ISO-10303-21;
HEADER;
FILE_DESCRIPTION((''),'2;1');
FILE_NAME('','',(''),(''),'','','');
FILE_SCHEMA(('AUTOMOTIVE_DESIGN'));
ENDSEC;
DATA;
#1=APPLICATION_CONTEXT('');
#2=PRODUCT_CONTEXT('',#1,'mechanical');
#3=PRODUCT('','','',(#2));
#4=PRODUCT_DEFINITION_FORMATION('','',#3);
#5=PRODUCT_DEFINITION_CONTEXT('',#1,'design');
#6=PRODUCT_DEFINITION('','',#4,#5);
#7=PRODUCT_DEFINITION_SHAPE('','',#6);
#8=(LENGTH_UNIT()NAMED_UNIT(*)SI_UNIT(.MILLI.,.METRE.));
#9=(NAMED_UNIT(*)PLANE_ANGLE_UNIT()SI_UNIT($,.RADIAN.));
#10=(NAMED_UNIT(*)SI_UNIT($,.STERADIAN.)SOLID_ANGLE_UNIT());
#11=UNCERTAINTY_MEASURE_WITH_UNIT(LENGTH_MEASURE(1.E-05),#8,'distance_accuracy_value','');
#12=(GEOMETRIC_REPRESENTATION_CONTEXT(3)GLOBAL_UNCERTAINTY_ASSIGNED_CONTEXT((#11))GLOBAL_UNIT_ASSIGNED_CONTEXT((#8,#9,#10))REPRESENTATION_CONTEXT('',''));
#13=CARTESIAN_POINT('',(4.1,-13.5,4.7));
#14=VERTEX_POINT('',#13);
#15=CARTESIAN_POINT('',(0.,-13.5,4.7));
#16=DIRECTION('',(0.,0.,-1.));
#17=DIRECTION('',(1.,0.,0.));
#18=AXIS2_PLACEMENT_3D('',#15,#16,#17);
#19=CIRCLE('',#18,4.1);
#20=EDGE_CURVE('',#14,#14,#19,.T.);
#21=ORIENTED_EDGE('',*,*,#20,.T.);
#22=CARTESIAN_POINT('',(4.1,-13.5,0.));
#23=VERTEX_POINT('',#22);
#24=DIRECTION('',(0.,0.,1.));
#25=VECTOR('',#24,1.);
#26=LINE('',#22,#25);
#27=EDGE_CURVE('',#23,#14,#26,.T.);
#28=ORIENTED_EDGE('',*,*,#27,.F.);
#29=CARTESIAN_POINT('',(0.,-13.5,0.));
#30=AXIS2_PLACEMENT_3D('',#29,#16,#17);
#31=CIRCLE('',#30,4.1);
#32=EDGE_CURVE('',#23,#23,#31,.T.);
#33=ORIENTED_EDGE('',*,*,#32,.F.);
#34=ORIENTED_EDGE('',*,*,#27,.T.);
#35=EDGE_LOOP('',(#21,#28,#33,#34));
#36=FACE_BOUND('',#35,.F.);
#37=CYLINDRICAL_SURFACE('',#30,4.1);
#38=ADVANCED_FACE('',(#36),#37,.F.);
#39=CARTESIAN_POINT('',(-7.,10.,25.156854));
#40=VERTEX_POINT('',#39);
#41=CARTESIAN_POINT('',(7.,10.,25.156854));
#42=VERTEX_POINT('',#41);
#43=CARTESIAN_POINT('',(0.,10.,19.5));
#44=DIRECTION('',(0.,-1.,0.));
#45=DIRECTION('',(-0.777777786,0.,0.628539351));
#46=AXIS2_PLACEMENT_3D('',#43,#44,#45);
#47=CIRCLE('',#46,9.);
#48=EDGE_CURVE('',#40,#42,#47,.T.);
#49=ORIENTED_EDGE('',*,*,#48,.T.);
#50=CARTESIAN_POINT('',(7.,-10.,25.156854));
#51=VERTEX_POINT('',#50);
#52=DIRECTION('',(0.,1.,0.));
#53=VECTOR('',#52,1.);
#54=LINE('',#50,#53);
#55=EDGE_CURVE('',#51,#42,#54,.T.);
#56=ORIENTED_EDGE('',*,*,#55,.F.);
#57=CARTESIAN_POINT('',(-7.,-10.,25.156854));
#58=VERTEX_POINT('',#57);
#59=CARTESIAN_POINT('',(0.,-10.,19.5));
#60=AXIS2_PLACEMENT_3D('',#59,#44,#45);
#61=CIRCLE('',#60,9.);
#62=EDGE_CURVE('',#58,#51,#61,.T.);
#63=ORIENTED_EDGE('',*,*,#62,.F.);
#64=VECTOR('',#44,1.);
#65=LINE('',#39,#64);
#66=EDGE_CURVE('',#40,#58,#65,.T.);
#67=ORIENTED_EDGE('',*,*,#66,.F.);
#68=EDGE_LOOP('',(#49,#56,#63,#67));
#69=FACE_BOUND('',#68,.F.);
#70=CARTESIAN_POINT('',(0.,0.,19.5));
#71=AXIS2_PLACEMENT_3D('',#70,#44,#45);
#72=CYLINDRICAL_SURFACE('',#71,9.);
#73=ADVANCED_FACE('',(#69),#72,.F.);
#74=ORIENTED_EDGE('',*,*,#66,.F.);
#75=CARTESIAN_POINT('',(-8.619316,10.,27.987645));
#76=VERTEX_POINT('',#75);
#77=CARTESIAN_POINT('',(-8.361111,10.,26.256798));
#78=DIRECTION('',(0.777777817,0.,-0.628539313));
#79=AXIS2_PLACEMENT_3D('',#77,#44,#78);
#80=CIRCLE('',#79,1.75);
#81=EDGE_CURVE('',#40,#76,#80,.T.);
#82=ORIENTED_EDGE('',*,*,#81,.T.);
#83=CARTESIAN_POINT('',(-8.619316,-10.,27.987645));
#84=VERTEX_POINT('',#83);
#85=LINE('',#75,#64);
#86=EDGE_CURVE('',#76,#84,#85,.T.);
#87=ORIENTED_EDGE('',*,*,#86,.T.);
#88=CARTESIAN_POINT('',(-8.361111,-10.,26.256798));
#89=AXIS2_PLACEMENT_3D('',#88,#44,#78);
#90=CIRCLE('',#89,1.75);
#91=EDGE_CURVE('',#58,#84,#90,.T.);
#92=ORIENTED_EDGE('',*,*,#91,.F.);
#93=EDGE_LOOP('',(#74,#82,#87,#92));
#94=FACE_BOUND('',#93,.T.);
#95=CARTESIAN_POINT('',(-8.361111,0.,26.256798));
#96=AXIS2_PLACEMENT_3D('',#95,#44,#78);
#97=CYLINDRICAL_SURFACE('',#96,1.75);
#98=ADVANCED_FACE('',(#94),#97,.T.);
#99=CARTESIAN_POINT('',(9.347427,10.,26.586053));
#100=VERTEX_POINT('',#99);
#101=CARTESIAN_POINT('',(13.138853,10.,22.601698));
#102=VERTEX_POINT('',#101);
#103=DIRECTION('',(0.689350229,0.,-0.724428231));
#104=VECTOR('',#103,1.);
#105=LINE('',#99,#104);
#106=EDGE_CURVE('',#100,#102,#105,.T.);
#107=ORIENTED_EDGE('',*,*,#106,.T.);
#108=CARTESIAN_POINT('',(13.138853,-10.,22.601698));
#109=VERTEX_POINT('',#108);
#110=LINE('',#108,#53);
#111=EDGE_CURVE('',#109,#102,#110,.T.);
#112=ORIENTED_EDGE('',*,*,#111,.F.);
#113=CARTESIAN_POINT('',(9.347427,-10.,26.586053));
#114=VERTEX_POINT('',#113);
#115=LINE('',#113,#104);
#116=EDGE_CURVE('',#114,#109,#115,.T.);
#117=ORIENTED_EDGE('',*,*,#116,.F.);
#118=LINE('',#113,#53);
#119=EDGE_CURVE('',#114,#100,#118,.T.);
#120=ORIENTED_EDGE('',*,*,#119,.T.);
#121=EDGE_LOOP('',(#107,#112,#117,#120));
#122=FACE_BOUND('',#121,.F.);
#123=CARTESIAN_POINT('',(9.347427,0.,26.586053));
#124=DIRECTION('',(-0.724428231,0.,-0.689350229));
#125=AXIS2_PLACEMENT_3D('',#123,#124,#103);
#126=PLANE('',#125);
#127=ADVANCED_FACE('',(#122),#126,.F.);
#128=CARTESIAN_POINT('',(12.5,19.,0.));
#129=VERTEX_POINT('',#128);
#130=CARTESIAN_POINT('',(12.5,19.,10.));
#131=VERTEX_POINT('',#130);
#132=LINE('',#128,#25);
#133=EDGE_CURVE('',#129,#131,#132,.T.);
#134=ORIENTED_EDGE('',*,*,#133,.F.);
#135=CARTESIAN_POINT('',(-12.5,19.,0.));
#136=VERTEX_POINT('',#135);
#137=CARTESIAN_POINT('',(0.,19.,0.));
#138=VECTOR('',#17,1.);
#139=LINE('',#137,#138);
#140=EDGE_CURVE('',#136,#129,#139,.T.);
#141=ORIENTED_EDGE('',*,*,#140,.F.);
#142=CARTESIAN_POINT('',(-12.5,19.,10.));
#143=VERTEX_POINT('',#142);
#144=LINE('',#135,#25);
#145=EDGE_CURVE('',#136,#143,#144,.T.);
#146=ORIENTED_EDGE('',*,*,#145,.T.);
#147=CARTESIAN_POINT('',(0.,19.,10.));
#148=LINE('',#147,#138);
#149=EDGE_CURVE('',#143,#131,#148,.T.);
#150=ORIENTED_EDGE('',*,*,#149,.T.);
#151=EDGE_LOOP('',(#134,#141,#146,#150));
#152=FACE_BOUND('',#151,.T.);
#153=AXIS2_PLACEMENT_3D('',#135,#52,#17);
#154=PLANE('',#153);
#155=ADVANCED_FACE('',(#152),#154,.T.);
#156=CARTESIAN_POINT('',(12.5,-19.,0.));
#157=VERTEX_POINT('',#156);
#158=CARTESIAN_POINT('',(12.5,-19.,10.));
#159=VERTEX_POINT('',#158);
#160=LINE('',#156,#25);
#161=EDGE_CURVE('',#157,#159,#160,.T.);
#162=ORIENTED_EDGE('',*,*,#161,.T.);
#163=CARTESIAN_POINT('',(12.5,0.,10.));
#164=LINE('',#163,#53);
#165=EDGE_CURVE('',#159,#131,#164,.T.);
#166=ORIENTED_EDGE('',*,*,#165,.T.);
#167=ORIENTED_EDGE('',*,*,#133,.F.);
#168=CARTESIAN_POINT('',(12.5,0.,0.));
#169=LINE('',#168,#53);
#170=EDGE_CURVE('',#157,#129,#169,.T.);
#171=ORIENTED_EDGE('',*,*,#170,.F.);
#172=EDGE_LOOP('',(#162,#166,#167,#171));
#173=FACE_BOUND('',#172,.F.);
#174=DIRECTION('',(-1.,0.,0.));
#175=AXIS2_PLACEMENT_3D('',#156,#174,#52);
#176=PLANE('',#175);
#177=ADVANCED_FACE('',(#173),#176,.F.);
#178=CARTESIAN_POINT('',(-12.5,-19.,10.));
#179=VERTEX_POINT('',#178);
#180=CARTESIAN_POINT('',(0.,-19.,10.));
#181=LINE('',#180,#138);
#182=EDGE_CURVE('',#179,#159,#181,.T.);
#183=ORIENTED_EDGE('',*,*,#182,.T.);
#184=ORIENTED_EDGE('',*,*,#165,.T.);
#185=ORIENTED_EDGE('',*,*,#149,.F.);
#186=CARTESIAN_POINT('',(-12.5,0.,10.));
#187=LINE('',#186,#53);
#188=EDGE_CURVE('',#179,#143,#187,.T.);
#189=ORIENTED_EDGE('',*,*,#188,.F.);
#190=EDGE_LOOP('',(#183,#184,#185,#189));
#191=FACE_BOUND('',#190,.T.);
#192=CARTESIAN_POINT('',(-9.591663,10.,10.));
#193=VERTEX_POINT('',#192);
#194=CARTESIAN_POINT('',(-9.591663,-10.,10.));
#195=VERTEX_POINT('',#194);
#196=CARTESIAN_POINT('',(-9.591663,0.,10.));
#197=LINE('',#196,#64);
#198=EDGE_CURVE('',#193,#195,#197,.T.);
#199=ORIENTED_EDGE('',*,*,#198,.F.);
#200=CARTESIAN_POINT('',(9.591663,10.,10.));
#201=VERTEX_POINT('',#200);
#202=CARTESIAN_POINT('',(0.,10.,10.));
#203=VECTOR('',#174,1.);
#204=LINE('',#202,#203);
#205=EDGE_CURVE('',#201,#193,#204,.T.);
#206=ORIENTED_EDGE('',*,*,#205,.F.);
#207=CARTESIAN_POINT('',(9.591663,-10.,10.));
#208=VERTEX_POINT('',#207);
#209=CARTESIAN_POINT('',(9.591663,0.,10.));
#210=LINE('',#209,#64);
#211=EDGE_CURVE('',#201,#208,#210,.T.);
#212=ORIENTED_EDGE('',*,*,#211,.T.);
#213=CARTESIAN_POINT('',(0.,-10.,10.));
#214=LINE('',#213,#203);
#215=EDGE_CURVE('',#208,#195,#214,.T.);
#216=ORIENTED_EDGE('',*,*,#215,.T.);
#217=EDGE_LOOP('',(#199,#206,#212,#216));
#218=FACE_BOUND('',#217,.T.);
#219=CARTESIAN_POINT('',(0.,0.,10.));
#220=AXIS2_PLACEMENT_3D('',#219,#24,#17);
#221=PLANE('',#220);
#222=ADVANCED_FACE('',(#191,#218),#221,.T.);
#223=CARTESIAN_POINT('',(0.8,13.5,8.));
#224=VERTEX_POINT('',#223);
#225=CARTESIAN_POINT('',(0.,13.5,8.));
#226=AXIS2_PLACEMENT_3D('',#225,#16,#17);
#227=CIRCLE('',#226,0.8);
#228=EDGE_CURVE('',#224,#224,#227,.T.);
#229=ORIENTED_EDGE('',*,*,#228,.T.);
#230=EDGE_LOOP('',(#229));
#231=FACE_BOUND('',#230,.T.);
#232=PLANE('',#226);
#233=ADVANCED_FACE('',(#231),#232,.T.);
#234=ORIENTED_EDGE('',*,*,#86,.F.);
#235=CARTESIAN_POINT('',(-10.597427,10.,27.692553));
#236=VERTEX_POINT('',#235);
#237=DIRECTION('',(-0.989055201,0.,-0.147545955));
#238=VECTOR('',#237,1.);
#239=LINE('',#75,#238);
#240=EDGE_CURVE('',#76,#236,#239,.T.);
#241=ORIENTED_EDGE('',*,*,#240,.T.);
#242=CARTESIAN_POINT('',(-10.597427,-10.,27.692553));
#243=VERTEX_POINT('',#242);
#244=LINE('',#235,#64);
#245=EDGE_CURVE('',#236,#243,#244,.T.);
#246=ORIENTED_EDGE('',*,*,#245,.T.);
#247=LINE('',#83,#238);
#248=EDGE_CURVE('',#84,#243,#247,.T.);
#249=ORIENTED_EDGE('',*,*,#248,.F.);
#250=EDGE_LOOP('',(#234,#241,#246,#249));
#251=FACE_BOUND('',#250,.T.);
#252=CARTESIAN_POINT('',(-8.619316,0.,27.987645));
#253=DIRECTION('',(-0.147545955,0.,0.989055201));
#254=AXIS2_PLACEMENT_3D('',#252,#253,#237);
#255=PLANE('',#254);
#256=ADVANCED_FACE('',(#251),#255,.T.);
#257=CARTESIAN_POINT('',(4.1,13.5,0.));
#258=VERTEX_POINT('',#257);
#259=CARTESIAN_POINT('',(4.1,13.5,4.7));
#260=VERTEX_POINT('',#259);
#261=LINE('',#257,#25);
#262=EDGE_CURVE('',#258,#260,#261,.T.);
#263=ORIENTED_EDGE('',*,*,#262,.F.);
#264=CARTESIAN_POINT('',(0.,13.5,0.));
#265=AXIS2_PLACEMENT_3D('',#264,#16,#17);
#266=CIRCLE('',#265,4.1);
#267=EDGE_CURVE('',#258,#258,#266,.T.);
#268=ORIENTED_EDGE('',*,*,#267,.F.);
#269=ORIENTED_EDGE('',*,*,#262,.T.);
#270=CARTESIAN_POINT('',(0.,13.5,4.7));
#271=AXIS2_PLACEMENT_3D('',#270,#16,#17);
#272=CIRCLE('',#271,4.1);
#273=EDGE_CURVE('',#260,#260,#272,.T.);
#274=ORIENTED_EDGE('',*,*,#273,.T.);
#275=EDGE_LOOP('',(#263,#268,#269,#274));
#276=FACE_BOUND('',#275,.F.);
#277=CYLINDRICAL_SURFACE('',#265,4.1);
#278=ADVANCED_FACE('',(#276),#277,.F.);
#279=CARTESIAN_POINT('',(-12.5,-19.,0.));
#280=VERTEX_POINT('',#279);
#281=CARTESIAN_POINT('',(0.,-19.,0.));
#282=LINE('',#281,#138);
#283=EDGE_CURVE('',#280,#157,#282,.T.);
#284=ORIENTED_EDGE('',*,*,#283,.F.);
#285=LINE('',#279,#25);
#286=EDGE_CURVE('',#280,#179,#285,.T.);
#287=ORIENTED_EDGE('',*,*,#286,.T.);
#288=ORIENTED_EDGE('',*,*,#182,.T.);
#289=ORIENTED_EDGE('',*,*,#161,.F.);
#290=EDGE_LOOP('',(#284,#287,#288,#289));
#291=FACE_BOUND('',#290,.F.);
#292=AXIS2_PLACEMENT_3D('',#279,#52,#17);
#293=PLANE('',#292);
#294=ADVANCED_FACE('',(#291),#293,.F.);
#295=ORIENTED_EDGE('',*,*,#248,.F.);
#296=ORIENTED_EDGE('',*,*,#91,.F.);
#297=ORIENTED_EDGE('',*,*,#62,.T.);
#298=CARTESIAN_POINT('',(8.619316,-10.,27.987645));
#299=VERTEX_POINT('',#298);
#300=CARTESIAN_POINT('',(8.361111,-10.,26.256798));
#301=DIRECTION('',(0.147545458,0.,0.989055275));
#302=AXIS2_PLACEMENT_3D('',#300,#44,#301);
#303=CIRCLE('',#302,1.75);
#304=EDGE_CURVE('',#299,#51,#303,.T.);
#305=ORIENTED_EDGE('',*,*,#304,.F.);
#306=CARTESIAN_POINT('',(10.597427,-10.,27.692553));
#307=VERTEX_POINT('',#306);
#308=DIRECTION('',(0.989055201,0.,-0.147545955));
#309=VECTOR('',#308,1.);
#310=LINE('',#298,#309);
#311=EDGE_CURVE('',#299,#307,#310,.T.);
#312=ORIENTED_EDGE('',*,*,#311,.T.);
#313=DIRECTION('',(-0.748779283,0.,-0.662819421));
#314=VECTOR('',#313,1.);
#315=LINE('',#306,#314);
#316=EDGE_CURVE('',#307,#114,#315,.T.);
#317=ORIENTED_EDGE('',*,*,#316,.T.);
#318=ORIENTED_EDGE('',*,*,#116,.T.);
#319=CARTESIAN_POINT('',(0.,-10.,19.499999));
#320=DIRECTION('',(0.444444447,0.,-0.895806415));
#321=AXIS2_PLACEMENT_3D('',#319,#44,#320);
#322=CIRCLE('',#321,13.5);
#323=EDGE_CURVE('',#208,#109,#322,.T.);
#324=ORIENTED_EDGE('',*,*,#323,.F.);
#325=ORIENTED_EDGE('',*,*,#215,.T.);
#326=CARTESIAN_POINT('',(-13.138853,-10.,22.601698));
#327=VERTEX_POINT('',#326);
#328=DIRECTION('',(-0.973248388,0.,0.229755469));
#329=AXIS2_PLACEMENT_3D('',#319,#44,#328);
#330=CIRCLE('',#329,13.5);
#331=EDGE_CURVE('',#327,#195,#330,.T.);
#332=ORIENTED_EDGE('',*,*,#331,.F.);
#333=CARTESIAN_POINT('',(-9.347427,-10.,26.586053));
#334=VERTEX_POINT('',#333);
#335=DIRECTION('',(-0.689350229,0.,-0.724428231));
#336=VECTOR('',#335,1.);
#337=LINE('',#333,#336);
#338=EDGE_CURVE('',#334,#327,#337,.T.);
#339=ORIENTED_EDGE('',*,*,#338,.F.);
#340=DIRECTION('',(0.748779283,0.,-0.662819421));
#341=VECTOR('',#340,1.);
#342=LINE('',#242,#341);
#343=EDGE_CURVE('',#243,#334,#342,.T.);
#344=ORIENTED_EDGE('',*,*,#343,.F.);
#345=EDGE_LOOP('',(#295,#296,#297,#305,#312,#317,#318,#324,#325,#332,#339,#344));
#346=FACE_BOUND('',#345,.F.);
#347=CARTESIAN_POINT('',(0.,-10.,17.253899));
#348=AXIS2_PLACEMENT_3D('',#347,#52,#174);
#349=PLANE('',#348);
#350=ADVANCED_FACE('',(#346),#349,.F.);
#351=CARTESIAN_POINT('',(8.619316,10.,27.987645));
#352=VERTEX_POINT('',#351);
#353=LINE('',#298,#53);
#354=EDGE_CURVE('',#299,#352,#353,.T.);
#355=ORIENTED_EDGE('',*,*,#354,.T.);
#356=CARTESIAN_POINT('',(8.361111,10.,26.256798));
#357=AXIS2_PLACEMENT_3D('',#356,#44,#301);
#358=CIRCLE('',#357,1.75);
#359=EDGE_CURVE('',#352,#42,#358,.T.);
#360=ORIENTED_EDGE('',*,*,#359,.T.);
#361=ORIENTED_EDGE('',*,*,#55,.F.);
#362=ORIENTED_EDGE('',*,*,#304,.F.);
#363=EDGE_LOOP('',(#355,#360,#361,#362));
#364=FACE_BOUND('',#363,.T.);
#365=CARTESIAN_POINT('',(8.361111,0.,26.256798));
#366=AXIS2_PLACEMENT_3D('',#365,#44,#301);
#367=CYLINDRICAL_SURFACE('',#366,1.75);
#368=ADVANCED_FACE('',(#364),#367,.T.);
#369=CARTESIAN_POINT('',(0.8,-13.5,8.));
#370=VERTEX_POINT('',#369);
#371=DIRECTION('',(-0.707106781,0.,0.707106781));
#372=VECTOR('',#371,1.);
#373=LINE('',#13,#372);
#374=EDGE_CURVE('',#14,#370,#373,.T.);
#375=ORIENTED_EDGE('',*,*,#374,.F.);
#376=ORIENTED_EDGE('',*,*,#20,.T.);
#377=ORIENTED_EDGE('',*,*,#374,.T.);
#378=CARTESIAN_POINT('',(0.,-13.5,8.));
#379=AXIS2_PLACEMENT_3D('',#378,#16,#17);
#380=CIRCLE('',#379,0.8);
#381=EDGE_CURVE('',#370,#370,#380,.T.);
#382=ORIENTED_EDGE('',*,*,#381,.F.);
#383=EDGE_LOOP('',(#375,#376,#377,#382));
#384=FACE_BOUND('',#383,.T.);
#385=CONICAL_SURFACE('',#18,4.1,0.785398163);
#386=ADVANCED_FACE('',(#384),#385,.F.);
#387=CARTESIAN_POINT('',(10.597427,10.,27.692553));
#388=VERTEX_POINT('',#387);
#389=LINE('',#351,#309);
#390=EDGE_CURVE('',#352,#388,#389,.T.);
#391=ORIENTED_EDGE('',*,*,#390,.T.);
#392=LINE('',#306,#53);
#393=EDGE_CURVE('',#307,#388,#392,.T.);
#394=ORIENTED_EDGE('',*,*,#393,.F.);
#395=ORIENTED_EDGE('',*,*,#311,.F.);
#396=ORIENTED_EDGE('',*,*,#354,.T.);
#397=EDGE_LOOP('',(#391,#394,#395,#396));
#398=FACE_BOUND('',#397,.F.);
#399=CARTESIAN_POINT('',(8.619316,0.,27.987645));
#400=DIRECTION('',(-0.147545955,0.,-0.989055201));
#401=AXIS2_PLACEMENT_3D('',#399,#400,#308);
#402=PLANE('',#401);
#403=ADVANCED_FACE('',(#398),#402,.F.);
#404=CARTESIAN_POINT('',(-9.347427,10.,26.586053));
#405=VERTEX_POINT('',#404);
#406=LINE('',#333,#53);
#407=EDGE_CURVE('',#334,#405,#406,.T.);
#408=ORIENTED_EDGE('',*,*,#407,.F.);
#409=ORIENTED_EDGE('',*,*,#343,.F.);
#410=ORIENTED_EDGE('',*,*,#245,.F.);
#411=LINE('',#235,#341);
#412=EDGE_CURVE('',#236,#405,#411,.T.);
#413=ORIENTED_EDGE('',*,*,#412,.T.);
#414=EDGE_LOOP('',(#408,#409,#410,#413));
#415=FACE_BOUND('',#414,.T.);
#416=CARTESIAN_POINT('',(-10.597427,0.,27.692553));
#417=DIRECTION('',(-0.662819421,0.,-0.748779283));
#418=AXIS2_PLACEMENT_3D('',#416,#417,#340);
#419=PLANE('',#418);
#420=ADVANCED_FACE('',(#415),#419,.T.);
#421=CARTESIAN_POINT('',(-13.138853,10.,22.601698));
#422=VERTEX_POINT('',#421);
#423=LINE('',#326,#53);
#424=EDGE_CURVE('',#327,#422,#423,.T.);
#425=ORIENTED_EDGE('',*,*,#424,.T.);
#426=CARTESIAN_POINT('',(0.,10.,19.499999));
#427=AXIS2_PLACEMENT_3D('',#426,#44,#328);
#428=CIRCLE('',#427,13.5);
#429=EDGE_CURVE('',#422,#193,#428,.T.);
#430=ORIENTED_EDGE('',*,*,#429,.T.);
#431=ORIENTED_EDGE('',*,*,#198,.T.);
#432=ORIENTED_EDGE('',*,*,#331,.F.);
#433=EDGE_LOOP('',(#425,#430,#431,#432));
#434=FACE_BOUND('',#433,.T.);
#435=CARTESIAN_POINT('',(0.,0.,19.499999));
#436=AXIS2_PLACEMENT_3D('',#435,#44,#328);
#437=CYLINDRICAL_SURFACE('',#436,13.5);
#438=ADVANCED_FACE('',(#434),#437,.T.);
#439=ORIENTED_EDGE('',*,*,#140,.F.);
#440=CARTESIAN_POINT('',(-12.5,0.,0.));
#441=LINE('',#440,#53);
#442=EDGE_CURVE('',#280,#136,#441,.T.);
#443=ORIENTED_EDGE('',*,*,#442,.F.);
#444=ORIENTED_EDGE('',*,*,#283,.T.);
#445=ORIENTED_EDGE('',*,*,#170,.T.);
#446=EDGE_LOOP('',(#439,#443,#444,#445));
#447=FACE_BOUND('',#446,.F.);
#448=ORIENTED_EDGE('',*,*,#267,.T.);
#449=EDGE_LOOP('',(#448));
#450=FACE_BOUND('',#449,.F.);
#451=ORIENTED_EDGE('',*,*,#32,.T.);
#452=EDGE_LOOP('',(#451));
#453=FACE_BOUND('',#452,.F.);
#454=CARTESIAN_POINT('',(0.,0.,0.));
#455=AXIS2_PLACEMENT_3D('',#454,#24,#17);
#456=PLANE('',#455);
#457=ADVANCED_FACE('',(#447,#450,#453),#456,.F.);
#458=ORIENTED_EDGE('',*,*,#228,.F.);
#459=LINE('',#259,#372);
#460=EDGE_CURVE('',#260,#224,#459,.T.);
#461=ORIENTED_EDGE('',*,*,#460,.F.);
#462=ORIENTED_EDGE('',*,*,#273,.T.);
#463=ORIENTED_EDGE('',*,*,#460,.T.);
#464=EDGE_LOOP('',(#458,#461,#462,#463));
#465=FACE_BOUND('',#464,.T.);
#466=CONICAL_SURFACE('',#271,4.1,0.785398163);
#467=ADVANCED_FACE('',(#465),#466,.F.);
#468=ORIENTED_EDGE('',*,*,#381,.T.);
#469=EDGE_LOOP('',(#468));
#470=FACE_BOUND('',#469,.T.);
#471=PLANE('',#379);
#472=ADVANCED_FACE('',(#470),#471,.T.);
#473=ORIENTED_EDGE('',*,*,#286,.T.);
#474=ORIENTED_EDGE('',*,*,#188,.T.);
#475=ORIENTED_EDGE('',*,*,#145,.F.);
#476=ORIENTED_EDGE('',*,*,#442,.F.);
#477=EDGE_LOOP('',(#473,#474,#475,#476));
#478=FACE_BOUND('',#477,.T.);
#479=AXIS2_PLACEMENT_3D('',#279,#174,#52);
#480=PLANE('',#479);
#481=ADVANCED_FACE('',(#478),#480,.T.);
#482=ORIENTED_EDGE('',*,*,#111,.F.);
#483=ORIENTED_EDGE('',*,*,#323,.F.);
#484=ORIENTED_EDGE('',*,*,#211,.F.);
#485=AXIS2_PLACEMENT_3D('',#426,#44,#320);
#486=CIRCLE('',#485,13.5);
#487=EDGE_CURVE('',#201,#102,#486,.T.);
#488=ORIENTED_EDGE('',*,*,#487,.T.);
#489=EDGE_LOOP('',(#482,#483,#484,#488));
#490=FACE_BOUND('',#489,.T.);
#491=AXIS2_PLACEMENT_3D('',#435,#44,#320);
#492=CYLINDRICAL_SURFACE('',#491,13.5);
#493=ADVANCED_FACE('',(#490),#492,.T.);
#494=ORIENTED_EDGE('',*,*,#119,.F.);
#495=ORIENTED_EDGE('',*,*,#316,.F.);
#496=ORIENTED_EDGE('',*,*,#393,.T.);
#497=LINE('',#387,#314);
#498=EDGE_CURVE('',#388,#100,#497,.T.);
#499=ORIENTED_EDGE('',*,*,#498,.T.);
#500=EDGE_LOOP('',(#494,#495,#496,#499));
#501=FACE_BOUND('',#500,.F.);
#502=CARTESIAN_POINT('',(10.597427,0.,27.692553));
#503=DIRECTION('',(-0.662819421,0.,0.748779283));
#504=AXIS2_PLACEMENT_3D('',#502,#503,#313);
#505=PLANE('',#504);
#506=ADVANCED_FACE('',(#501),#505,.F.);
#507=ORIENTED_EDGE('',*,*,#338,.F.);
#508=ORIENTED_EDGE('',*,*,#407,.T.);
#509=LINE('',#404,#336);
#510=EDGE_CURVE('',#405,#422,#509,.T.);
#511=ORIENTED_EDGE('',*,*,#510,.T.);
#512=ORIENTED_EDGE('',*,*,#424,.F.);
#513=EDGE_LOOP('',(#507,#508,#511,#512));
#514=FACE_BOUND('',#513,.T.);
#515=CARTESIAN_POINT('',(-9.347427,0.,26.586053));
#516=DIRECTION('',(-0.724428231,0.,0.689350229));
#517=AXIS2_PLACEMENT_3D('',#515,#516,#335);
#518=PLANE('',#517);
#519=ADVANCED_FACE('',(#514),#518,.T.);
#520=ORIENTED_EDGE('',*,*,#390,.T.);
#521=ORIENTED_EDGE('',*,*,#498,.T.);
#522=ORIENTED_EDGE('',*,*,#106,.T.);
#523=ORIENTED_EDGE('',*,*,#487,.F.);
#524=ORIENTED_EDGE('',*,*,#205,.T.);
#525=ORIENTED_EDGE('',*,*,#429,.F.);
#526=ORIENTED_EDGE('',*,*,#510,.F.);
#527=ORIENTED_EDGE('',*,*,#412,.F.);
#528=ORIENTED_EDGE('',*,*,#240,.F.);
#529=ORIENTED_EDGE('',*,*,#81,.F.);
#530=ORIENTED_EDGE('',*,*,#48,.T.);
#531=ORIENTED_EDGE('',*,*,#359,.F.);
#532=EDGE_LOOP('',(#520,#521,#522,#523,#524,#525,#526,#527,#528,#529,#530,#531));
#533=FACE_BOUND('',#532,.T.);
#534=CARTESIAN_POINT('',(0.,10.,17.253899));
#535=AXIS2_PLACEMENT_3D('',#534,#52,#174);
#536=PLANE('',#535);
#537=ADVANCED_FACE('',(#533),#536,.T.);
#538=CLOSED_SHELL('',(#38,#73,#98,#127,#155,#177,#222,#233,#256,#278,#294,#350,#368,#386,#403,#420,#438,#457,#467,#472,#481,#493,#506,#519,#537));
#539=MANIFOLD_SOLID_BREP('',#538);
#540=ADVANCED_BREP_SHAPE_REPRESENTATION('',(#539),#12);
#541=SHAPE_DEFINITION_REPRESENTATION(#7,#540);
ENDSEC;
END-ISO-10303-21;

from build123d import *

# Parameters (mm, degrees)
SKETCH_W     = 25
SKETCH_H     = 38
PAD_DEPTH    = 10
SKETCH001_R  = 4.1
POCKET_DEPTH = 8
CHAMFER_SIZE = 3.3
PAD001_DEPTH = 10


with BuildPart() as part:
    # Sketch → Pad (new body)
    with BuildSketch(Plane.XY):
        Rectangle(SKETCH_W, SKETCH_H)
    extrude(amount=PAD_DEPTH)

    # Sketch001 (on Face5 of Pad) → Pocket (cut)
    with BuildSketch(Plane(origin=(0, 0, 0), x_dir=(1, 0, 0), z_dir=(0, 0, -1))):
        with Locations((0, 13.5)):
            Circle(SKETCH001_R)
        with Locations((0, -13.5)):
            Circle(SKETCH001_R)
    extrude(amount=-POCKET_DEPTH, mode=Mode.SUBTRACT)

    # Chamfer
    chamfer_edges = [part.edges().sort_by_distance(p)[0] for p in [
        (-4.1, 13.5, 8),
        (-4.1, -13.5, 8),
    ]]
    chamfer(chamfer_edges, length=CHAMFER_SIZE)

    # Sketch003 → Pad001 (join, symmetric)
    with BuildSketch(Plane.XZ):
        with BuildLine():
            ThreePointArc((-7, 25.156854), (0, 10.5), (7, 25.156854))
            ThreePointArc((8.619316, 27.987645), (6.842084, 27.125738), (7, 25.156854))
            Line((8.619316, 27.987645), (10.597427, 27.692553))
            Line((10.597427, 27.692553), (9.347427, 26.586053))
            Line((9.347427, 26.586053), (13.138853, 22.601698))
            ThreePointArc((6, 7.406613), (12.218698, 13.759493), (13.138853, 22.601698))
            Line((-6, 7.406613), (6, 7.406613))
            ThreePointArc((-13.138853, 22.601698), (-12.218698, 13.759493), (-6, 7.406613))
            Line((-9.347427, 26.586053), (-13.138853, 22.601698))
            Line((-10.597427, 27.692553), (-9.347427, 26.586053))
            Line((-8.619316, 27.987645), (-10.597427, 27.692553))
            ThreePointArc((-7, 25.156854), (-6.842084, 27.125738), (-8.619316, 27.987645))
        make_face()
    extrude(amount=PAD001_DEPTH, both=True)


solid = part.part
